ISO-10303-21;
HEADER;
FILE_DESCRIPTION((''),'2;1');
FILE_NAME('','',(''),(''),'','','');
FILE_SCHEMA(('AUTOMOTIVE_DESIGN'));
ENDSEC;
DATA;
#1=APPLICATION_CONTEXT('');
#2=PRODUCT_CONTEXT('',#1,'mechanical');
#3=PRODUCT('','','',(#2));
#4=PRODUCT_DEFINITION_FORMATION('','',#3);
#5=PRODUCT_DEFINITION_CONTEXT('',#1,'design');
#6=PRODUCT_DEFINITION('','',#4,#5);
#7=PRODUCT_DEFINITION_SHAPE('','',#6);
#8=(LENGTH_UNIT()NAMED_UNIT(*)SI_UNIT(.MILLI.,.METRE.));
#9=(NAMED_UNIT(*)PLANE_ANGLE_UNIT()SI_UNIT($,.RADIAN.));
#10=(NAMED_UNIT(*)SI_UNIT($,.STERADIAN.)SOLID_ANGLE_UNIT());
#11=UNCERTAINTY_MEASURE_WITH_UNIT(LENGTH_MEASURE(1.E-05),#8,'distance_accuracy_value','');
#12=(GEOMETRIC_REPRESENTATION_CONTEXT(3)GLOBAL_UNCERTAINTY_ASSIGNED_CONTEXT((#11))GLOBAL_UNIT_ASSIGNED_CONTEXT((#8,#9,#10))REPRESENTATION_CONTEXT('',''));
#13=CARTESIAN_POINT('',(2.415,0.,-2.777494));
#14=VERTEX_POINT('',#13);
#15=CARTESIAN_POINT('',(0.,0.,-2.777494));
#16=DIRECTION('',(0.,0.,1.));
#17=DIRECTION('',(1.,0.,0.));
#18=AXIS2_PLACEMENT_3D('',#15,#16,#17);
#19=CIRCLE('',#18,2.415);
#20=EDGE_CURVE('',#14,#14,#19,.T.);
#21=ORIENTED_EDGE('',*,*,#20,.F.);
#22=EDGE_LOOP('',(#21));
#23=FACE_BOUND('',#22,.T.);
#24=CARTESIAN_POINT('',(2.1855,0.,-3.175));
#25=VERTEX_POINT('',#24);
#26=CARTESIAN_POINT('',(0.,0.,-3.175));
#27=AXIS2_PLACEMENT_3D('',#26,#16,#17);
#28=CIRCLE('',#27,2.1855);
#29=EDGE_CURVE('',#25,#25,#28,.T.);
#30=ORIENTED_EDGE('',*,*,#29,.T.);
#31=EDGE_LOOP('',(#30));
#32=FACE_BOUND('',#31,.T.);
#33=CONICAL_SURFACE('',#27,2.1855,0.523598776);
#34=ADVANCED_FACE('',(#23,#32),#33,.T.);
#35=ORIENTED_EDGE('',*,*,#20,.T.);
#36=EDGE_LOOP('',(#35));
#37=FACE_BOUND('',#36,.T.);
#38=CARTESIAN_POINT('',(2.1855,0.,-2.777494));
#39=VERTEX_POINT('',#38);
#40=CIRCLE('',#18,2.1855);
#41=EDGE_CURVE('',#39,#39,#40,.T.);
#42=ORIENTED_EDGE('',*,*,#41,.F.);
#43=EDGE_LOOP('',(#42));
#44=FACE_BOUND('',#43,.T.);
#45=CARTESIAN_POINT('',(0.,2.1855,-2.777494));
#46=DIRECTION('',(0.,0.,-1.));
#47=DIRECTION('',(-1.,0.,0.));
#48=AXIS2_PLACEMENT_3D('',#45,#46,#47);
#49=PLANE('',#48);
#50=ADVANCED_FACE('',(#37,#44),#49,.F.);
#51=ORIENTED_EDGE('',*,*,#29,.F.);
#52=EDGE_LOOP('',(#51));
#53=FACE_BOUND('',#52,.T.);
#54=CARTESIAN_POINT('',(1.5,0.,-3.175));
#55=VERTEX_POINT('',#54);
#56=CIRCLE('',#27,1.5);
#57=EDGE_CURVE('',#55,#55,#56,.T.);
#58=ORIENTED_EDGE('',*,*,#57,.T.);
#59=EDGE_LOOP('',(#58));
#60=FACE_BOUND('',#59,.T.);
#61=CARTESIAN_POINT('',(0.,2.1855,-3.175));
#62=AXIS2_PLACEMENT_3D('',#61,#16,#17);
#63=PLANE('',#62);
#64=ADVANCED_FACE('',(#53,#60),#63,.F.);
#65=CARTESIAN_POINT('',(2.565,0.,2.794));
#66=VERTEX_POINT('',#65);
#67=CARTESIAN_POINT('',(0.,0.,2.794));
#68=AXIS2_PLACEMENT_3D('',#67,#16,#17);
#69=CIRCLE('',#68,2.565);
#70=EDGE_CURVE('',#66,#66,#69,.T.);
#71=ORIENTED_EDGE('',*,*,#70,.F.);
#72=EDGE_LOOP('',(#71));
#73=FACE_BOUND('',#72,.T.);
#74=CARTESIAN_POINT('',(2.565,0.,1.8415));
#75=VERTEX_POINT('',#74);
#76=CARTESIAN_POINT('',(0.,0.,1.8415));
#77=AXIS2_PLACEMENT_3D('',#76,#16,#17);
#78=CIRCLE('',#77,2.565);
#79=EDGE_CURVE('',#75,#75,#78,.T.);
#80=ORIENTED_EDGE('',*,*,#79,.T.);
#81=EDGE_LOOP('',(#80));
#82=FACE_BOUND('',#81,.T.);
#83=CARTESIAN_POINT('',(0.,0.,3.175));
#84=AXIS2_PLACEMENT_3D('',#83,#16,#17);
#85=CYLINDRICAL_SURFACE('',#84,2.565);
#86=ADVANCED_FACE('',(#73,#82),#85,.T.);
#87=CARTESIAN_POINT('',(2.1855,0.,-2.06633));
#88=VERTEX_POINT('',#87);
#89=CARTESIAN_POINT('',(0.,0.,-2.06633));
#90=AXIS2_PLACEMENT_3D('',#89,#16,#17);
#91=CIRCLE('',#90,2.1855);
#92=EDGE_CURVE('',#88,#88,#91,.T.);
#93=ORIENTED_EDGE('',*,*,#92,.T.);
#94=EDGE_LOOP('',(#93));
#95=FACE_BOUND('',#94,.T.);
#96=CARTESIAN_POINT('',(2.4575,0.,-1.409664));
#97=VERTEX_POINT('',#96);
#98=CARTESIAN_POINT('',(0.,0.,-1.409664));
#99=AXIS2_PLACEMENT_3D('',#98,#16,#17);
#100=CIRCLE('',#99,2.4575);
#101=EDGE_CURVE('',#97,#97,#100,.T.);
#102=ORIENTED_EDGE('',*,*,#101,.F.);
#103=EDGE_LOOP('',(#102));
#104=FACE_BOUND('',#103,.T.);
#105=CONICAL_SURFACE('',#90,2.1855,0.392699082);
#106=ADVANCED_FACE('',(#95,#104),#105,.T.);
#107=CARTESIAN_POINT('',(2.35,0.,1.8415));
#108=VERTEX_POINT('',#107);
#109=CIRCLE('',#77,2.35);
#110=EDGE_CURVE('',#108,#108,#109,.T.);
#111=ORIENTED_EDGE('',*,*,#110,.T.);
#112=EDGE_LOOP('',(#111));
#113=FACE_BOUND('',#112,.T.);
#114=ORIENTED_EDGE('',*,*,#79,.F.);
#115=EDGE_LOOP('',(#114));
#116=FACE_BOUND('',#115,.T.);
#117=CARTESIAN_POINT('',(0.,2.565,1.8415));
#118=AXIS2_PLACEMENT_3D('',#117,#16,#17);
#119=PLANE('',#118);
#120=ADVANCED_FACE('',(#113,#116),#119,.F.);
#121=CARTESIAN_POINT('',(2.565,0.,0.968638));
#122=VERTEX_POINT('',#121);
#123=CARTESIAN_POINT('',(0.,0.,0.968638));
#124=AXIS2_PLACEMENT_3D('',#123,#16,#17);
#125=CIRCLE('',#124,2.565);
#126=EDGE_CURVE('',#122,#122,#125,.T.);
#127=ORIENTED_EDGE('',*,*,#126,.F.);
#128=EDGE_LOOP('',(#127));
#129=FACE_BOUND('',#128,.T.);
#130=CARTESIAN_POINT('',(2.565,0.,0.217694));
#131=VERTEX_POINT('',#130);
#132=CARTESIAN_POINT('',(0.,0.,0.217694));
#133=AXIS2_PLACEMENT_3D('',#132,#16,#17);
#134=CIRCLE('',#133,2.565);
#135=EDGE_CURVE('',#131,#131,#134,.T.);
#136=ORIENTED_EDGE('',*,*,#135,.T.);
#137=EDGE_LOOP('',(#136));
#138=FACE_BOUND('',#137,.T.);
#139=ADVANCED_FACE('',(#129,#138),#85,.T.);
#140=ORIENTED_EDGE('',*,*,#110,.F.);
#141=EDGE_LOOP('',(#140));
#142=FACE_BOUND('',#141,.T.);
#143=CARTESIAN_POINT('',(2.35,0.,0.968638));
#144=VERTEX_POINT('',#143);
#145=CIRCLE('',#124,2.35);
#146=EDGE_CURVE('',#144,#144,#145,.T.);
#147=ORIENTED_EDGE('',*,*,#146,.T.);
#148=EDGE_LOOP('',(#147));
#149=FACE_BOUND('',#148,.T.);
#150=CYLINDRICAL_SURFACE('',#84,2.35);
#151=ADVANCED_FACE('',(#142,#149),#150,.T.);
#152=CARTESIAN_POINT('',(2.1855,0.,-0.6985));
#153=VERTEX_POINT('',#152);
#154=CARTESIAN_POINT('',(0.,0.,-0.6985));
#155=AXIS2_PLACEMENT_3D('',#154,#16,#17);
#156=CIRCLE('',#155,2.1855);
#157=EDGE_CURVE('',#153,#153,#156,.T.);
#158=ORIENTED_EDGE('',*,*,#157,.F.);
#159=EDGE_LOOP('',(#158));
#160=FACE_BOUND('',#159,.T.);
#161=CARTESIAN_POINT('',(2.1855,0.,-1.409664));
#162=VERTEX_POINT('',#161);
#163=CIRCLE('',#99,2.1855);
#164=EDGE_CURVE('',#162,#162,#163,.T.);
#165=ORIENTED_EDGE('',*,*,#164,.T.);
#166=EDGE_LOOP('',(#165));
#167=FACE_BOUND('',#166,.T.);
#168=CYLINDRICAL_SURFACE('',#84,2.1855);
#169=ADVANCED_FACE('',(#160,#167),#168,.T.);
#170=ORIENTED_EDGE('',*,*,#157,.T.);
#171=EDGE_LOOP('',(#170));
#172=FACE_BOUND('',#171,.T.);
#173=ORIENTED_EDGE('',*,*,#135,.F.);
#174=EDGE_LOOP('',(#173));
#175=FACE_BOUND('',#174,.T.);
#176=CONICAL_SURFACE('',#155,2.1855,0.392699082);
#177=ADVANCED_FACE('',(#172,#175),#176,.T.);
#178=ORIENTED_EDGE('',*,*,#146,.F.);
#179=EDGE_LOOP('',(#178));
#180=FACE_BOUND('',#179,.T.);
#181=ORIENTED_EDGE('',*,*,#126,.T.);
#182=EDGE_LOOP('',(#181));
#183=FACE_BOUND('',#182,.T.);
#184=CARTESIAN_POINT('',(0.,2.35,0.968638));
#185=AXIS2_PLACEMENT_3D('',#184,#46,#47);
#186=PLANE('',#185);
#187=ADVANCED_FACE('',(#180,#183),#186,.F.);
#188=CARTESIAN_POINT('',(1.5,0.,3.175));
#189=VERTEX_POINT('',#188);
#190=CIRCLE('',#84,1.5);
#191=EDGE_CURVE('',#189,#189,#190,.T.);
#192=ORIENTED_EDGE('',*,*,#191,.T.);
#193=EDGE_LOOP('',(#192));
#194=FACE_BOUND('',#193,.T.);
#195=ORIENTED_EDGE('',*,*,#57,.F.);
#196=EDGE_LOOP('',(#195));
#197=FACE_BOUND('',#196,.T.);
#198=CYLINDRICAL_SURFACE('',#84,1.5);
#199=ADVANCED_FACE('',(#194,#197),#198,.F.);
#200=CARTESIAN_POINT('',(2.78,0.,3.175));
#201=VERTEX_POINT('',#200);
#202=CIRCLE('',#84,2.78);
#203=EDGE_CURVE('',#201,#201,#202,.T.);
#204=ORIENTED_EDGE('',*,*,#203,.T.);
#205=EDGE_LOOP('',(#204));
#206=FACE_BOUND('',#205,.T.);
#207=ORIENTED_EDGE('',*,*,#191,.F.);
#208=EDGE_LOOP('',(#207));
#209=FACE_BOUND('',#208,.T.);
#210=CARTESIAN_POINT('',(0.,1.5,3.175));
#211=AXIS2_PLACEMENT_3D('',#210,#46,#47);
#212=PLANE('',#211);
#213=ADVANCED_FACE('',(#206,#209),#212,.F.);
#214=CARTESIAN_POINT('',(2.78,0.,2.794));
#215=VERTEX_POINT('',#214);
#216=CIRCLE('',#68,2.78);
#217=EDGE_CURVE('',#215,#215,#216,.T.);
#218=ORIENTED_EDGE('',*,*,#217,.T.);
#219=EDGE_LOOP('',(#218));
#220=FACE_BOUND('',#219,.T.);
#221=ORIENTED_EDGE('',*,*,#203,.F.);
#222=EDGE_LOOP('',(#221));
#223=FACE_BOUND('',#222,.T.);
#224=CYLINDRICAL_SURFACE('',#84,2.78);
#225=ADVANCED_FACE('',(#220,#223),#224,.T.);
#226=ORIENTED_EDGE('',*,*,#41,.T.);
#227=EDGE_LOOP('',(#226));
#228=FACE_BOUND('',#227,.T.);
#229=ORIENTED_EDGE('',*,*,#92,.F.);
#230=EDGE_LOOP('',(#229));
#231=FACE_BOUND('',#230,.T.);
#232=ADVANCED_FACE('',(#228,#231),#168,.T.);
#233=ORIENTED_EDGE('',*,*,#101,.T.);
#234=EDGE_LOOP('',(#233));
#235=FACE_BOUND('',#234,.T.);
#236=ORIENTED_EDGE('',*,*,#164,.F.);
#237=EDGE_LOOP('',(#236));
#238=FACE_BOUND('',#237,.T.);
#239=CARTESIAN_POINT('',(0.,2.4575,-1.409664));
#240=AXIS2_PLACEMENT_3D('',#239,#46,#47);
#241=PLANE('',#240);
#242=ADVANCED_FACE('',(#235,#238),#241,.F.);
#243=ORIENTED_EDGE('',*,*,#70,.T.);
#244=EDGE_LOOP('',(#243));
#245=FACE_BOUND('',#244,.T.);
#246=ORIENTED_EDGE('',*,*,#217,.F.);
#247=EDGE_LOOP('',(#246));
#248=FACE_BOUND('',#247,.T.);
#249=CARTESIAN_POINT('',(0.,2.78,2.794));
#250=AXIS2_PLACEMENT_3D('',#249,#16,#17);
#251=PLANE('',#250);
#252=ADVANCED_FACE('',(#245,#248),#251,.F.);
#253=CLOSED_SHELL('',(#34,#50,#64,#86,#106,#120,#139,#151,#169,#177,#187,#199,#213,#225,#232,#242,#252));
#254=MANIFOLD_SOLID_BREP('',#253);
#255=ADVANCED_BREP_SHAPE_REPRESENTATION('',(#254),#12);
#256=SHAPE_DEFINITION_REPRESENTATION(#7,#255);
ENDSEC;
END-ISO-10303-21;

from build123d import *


with BuildPart() as part:
    # Sketch3 → Revolve1 (revolve)
    with BuildSketch(Plane(origin=(0, 0, 0), x_dir=(0, 0, -1), z_dir=(1, 0, 0))):
        Polygon((-3.175, 1.5), (-3.175, 2.78), (-2.794, 2.78), (-2.794, 2.565), (-1.8415, 2.565), (-1.8415, 2.35), (-0.968638131, 2.35), (-0.968638131, 2.565), (-0.217694047, 2.565), (0.6985, 2.1855), (1.409664125, 2.1855), (1.409664125, 2.4575), (2.066330214, 2.1855), (2.77749434, 2.1855), (2.77749434, 2.415), (3.175, 2.1855), (3.175, 1.5), align=None)
    revolve(axis=Axis((0, 0, 3.175), (0, 0, -1)))


solid = part.part
